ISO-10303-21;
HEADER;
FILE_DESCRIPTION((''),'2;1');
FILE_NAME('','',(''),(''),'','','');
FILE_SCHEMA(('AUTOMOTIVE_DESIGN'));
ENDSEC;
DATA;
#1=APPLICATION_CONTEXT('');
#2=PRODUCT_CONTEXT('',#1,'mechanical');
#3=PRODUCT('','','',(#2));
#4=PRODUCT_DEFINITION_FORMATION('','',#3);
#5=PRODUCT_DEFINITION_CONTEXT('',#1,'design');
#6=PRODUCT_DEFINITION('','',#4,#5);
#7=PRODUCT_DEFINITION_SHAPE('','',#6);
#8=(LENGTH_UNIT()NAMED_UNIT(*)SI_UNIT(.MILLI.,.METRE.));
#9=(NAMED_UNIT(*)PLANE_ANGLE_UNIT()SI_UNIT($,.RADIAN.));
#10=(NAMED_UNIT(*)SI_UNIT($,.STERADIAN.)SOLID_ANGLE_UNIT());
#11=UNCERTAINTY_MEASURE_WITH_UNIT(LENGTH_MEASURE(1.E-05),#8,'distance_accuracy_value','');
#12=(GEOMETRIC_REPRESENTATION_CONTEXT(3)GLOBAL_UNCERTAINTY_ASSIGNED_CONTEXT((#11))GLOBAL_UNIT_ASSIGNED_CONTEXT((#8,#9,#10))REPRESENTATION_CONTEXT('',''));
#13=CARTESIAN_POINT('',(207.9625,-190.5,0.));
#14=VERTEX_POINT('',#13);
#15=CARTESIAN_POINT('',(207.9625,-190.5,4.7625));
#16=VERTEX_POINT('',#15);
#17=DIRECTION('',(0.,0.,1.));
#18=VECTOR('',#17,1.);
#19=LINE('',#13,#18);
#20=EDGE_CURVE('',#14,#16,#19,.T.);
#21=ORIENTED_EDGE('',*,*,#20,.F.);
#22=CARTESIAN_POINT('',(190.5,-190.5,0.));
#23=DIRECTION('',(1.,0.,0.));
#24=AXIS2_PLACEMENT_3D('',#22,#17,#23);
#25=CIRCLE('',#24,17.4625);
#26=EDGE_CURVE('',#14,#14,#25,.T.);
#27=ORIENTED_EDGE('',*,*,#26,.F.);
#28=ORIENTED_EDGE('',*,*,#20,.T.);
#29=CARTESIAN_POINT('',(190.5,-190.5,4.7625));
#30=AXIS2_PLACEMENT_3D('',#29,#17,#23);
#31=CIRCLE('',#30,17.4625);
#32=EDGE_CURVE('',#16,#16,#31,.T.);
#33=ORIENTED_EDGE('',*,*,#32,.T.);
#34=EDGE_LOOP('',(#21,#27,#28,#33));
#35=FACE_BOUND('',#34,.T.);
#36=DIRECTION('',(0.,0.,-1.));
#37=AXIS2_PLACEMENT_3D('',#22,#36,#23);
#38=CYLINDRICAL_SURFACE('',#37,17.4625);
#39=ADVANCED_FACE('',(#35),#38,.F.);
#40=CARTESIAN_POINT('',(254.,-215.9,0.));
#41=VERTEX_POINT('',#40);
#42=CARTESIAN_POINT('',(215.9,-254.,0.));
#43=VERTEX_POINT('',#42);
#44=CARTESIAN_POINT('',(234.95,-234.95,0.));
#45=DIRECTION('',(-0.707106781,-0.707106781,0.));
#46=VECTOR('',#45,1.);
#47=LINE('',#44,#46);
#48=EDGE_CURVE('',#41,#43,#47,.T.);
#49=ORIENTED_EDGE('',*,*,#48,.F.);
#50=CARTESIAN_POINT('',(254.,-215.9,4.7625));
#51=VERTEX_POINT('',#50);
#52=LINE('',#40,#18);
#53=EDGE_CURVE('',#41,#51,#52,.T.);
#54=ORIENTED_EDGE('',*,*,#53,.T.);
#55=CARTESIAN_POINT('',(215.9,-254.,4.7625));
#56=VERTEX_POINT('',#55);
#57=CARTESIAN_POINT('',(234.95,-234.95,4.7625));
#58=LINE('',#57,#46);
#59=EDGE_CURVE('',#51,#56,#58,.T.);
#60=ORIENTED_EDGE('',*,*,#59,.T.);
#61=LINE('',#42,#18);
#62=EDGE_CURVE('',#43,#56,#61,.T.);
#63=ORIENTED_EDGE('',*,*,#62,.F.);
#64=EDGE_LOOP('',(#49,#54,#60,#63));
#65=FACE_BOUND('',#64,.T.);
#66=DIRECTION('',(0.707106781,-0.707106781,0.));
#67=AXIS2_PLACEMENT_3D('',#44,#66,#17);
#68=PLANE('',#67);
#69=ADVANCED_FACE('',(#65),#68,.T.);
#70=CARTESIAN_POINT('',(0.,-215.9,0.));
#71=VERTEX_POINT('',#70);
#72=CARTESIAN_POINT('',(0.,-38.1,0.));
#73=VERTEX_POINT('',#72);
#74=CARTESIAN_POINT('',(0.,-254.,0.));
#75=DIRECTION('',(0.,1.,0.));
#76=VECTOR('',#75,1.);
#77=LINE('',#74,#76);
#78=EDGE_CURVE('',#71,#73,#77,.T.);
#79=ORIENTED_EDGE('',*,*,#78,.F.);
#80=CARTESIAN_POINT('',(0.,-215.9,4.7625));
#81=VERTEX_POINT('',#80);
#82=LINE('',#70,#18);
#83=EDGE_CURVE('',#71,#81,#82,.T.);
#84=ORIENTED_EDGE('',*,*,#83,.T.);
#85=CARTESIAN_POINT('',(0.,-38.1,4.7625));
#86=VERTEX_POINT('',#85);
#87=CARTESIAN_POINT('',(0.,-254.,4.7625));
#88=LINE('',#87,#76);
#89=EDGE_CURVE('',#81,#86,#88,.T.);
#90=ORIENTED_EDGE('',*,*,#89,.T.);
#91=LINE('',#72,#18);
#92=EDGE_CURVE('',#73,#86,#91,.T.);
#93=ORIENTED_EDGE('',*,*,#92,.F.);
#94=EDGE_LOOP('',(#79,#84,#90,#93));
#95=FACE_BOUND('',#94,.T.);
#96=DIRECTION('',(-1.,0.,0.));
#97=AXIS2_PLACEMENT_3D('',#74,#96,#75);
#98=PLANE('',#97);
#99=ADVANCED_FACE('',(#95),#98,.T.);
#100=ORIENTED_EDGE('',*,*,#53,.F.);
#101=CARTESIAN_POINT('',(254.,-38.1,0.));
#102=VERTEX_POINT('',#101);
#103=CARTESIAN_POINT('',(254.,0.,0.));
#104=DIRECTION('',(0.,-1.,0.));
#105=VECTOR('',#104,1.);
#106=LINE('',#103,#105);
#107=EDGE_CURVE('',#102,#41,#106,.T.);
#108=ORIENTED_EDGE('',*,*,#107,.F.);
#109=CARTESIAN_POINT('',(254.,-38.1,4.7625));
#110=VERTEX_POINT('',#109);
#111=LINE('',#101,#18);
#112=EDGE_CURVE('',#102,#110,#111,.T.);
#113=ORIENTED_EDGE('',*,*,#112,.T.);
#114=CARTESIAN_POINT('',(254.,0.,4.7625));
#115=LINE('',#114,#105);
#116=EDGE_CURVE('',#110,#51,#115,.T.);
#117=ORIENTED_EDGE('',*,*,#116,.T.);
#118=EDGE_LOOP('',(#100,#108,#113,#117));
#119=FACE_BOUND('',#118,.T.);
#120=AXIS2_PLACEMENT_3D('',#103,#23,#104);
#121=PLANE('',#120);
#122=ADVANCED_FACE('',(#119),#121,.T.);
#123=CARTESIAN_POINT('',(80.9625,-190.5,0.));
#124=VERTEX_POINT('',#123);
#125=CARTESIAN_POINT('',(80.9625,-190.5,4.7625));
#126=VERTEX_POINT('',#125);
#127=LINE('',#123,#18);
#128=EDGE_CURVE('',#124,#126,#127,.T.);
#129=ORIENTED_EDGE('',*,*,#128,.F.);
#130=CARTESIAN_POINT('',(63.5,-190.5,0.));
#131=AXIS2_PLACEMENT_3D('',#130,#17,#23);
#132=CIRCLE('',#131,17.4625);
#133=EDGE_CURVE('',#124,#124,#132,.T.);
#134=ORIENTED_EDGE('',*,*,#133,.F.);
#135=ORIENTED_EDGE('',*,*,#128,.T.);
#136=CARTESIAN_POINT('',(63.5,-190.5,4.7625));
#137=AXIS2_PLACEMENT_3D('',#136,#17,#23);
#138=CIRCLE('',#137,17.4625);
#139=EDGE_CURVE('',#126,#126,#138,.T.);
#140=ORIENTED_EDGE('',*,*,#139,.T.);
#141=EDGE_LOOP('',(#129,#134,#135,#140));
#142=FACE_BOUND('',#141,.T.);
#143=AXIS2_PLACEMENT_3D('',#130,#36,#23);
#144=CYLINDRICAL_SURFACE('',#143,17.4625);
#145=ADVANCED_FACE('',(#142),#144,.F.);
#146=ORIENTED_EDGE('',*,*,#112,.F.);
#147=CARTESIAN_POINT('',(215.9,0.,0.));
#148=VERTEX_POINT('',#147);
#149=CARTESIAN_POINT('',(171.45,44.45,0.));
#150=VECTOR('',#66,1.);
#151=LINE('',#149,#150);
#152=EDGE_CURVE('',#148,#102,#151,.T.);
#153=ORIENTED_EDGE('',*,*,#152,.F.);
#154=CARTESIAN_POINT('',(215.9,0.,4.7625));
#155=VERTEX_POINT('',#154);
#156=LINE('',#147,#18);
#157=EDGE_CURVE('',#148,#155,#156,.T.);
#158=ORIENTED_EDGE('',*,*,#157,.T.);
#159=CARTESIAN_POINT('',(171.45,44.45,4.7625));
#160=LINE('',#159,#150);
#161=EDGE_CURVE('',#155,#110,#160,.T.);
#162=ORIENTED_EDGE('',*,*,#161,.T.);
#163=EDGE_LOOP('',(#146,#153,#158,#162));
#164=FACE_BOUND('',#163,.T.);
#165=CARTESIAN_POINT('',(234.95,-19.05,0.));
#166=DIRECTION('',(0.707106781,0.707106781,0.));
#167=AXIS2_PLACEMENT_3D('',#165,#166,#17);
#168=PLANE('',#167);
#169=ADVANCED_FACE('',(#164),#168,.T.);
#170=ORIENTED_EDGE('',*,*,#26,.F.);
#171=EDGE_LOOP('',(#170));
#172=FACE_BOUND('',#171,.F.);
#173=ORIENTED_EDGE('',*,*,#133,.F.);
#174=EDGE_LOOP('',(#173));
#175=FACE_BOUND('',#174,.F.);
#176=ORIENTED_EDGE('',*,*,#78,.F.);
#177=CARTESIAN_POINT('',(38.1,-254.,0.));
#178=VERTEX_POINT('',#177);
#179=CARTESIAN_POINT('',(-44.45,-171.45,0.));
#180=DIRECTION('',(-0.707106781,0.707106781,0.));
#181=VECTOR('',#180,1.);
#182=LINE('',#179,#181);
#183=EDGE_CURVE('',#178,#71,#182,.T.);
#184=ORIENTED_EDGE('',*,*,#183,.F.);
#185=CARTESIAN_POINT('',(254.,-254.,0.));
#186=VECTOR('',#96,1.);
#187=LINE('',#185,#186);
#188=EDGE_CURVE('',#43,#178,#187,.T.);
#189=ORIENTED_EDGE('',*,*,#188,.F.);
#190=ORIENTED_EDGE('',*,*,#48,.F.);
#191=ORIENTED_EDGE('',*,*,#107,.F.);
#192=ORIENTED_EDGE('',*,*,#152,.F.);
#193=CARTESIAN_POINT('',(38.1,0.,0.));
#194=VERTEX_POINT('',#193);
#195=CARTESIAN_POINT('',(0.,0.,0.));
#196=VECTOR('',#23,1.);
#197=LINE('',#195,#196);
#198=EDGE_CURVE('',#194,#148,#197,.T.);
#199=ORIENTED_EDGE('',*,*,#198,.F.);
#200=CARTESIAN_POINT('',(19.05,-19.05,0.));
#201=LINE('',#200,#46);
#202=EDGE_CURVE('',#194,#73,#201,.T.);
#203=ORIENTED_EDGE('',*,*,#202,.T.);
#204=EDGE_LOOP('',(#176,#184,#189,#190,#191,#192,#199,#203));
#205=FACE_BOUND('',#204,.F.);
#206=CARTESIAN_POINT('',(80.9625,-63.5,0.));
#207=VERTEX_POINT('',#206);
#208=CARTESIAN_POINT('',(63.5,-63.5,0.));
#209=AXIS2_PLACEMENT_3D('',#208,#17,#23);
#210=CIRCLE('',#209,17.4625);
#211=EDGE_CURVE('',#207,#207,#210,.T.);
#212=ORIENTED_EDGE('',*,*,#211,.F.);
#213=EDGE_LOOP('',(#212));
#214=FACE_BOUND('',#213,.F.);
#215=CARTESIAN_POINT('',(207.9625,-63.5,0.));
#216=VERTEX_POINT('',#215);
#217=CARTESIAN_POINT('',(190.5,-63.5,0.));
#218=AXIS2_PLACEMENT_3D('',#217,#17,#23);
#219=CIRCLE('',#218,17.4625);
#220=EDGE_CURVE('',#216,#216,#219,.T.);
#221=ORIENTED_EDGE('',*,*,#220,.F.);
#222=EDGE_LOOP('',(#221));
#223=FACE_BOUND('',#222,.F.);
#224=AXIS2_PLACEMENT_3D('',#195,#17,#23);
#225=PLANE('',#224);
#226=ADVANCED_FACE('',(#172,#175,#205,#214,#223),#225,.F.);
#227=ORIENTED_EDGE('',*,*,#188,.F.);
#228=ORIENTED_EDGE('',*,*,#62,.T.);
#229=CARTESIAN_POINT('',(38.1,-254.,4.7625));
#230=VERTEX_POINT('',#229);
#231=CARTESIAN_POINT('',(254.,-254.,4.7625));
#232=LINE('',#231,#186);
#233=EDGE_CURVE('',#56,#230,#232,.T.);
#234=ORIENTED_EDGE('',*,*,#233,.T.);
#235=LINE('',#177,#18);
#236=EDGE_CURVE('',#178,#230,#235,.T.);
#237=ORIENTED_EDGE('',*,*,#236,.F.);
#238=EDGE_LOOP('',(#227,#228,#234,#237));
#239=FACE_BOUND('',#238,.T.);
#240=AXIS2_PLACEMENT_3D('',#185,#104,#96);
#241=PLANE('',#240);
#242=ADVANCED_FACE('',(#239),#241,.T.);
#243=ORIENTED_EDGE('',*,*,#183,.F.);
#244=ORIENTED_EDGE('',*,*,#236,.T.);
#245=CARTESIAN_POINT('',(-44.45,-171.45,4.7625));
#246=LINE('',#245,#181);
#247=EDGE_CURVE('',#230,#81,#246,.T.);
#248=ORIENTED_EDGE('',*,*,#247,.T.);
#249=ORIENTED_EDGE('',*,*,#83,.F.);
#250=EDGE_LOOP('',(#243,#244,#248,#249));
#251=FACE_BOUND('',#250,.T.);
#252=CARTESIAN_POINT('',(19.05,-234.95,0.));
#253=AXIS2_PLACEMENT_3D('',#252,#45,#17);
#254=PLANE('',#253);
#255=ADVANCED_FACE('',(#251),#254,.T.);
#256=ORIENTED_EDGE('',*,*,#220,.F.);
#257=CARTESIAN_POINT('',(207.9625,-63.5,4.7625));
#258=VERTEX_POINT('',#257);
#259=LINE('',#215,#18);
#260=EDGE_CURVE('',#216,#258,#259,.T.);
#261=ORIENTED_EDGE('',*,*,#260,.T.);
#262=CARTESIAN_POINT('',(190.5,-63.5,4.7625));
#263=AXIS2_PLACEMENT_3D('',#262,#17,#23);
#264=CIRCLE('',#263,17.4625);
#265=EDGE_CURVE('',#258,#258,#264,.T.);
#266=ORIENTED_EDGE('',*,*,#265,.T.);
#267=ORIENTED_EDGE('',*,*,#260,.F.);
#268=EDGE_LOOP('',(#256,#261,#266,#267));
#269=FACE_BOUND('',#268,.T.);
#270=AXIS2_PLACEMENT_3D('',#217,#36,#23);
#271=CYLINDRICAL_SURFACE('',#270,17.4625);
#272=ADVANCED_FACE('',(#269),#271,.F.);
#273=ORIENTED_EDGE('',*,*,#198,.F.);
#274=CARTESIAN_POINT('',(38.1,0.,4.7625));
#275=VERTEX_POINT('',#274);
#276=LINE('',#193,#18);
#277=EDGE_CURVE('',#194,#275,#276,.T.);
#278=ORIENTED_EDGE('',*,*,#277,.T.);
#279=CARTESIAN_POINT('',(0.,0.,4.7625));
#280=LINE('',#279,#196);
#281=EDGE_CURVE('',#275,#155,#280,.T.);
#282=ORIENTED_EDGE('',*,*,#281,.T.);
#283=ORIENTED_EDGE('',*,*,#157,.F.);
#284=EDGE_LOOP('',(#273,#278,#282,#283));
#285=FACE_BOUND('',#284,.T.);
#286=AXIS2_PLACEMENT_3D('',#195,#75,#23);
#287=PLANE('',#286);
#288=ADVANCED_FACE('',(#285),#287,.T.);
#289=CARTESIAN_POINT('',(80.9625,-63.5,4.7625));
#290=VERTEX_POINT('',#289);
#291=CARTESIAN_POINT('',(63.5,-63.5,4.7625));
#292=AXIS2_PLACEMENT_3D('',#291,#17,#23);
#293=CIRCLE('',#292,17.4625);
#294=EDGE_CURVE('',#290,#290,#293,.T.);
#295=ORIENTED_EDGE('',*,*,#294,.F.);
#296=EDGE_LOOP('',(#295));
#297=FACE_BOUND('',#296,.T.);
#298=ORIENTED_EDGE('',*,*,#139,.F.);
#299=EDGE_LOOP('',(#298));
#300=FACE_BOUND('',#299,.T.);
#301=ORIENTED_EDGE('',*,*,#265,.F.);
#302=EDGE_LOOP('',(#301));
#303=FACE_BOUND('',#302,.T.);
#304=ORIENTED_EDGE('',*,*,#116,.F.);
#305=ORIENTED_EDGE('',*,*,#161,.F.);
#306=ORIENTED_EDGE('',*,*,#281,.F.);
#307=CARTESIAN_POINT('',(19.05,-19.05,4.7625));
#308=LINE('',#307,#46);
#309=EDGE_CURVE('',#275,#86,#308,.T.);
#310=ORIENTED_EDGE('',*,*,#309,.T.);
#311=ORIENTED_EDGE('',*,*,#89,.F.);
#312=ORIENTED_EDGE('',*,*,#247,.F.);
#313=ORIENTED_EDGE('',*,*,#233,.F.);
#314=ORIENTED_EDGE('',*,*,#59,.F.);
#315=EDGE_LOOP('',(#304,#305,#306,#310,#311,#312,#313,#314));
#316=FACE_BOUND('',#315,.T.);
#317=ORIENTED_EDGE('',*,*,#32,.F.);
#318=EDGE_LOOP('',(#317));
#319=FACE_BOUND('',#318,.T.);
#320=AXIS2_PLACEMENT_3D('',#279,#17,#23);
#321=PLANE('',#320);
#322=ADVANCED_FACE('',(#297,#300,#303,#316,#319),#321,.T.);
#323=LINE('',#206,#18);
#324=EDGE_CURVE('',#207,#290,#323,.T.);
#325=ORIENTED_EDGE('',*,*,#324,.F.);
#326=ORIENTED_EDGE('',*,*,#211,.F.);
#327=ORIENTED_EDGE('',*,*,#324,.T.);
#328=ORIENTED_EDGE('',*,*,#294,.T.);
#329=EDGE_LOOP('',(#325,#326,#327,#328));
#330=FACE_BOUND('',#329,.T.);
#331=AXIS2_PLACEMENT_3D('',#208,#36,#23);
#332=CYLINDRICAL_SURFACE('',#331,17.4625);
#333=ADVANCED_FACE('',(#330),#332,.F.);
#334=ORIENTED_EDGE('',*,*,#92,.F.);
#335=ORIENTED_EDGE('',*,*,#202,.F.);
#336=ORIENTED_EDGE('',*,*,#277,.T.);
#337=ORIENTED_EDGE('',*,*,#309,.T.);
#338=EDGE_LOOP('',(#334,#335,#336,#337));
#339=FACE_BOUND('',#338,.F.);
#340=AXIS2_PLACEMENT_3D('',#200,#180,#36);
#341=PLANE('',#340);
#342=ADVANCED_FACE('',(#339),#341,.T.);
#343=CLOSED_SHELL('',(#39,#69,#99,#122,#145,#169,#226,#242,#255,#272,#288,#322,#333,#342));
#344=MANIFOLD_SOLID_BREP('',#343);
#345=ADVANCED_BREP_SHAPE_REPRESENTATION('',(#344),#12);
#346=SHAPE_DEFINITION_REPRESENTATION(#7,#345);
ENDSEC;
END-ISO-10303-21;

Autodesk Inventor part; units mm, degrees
ref_plane "YZ Plane" through (0, 0, 0) normal (1, 0, 0) x (0, 1, 0)
ref_plane "XZ Plane" through (0, 0, 0) normal (0, 1, 0) x (-1, 0, 0)
ref_plane "XY Plane" through (0, 0, 0) normal (0, 0, 1) x (1, 0, 0)
sketch "Sketch1" plane through (0, 0, 0) normal (0, 0, 1) x (1, 0, 0)
  line L0 (0, 0) -> (254, 0)
  line L1 (254, 0) -> (254, -254)
  line L2 (254, -254) -> (0, -254)
  line L3 (0, -254) -> (0, 0)
  circle A0 centre (63.5, -63.5) radius 17.4625
  circle A1 centre (190.5, -63.5) radius 17.4625
  circle A2 centre (63.5, -190.5) radius 17.4625
  circle A3 centre (190.5, -190.5) radius 17.4625
  line L4 (127, 0) -> (127, -254) construction
  line L5 (0, -127) -> (254, -127) construction
  line L6 (190.5, 0) -> (190.5, -254) construction
  line L7 (63.5, 0) -> (63.5, -254) construction
  line L8 (0, -190.5) -> (254, -190.5) construction
  line L9 (0, -63.5) -> (254, -63.5) construction
  dimension "d0" = 254
  dimension "d1" = 254
  dimension "d2" = 34.925
  dimension "d3" = 34.925
  dimension "d4" = 34.925
  dimension "d5" = 34.925
  dimension "d6" = 63.5
  dimension "d7" = 63.5
  dimension "d9" = 63.5
  dimension "d10" = 63.5
extrude "Extrusion1" add sketch "Sketch1" along normal blind 4.7625
chamfer "Chamfer1" distance 38.1 angle 45 4 edges at (0, 0, 2.3813) (0, -254, 2.3813) (254, -254, 2.3813) (254, 0, 2.3813)
equation "\"d7\" = d6"
equation "\"d9\" = d8"
equation "\"d10\" = d9"
equation "\"d8\" = d7"
properties part number "Preview Plate"
